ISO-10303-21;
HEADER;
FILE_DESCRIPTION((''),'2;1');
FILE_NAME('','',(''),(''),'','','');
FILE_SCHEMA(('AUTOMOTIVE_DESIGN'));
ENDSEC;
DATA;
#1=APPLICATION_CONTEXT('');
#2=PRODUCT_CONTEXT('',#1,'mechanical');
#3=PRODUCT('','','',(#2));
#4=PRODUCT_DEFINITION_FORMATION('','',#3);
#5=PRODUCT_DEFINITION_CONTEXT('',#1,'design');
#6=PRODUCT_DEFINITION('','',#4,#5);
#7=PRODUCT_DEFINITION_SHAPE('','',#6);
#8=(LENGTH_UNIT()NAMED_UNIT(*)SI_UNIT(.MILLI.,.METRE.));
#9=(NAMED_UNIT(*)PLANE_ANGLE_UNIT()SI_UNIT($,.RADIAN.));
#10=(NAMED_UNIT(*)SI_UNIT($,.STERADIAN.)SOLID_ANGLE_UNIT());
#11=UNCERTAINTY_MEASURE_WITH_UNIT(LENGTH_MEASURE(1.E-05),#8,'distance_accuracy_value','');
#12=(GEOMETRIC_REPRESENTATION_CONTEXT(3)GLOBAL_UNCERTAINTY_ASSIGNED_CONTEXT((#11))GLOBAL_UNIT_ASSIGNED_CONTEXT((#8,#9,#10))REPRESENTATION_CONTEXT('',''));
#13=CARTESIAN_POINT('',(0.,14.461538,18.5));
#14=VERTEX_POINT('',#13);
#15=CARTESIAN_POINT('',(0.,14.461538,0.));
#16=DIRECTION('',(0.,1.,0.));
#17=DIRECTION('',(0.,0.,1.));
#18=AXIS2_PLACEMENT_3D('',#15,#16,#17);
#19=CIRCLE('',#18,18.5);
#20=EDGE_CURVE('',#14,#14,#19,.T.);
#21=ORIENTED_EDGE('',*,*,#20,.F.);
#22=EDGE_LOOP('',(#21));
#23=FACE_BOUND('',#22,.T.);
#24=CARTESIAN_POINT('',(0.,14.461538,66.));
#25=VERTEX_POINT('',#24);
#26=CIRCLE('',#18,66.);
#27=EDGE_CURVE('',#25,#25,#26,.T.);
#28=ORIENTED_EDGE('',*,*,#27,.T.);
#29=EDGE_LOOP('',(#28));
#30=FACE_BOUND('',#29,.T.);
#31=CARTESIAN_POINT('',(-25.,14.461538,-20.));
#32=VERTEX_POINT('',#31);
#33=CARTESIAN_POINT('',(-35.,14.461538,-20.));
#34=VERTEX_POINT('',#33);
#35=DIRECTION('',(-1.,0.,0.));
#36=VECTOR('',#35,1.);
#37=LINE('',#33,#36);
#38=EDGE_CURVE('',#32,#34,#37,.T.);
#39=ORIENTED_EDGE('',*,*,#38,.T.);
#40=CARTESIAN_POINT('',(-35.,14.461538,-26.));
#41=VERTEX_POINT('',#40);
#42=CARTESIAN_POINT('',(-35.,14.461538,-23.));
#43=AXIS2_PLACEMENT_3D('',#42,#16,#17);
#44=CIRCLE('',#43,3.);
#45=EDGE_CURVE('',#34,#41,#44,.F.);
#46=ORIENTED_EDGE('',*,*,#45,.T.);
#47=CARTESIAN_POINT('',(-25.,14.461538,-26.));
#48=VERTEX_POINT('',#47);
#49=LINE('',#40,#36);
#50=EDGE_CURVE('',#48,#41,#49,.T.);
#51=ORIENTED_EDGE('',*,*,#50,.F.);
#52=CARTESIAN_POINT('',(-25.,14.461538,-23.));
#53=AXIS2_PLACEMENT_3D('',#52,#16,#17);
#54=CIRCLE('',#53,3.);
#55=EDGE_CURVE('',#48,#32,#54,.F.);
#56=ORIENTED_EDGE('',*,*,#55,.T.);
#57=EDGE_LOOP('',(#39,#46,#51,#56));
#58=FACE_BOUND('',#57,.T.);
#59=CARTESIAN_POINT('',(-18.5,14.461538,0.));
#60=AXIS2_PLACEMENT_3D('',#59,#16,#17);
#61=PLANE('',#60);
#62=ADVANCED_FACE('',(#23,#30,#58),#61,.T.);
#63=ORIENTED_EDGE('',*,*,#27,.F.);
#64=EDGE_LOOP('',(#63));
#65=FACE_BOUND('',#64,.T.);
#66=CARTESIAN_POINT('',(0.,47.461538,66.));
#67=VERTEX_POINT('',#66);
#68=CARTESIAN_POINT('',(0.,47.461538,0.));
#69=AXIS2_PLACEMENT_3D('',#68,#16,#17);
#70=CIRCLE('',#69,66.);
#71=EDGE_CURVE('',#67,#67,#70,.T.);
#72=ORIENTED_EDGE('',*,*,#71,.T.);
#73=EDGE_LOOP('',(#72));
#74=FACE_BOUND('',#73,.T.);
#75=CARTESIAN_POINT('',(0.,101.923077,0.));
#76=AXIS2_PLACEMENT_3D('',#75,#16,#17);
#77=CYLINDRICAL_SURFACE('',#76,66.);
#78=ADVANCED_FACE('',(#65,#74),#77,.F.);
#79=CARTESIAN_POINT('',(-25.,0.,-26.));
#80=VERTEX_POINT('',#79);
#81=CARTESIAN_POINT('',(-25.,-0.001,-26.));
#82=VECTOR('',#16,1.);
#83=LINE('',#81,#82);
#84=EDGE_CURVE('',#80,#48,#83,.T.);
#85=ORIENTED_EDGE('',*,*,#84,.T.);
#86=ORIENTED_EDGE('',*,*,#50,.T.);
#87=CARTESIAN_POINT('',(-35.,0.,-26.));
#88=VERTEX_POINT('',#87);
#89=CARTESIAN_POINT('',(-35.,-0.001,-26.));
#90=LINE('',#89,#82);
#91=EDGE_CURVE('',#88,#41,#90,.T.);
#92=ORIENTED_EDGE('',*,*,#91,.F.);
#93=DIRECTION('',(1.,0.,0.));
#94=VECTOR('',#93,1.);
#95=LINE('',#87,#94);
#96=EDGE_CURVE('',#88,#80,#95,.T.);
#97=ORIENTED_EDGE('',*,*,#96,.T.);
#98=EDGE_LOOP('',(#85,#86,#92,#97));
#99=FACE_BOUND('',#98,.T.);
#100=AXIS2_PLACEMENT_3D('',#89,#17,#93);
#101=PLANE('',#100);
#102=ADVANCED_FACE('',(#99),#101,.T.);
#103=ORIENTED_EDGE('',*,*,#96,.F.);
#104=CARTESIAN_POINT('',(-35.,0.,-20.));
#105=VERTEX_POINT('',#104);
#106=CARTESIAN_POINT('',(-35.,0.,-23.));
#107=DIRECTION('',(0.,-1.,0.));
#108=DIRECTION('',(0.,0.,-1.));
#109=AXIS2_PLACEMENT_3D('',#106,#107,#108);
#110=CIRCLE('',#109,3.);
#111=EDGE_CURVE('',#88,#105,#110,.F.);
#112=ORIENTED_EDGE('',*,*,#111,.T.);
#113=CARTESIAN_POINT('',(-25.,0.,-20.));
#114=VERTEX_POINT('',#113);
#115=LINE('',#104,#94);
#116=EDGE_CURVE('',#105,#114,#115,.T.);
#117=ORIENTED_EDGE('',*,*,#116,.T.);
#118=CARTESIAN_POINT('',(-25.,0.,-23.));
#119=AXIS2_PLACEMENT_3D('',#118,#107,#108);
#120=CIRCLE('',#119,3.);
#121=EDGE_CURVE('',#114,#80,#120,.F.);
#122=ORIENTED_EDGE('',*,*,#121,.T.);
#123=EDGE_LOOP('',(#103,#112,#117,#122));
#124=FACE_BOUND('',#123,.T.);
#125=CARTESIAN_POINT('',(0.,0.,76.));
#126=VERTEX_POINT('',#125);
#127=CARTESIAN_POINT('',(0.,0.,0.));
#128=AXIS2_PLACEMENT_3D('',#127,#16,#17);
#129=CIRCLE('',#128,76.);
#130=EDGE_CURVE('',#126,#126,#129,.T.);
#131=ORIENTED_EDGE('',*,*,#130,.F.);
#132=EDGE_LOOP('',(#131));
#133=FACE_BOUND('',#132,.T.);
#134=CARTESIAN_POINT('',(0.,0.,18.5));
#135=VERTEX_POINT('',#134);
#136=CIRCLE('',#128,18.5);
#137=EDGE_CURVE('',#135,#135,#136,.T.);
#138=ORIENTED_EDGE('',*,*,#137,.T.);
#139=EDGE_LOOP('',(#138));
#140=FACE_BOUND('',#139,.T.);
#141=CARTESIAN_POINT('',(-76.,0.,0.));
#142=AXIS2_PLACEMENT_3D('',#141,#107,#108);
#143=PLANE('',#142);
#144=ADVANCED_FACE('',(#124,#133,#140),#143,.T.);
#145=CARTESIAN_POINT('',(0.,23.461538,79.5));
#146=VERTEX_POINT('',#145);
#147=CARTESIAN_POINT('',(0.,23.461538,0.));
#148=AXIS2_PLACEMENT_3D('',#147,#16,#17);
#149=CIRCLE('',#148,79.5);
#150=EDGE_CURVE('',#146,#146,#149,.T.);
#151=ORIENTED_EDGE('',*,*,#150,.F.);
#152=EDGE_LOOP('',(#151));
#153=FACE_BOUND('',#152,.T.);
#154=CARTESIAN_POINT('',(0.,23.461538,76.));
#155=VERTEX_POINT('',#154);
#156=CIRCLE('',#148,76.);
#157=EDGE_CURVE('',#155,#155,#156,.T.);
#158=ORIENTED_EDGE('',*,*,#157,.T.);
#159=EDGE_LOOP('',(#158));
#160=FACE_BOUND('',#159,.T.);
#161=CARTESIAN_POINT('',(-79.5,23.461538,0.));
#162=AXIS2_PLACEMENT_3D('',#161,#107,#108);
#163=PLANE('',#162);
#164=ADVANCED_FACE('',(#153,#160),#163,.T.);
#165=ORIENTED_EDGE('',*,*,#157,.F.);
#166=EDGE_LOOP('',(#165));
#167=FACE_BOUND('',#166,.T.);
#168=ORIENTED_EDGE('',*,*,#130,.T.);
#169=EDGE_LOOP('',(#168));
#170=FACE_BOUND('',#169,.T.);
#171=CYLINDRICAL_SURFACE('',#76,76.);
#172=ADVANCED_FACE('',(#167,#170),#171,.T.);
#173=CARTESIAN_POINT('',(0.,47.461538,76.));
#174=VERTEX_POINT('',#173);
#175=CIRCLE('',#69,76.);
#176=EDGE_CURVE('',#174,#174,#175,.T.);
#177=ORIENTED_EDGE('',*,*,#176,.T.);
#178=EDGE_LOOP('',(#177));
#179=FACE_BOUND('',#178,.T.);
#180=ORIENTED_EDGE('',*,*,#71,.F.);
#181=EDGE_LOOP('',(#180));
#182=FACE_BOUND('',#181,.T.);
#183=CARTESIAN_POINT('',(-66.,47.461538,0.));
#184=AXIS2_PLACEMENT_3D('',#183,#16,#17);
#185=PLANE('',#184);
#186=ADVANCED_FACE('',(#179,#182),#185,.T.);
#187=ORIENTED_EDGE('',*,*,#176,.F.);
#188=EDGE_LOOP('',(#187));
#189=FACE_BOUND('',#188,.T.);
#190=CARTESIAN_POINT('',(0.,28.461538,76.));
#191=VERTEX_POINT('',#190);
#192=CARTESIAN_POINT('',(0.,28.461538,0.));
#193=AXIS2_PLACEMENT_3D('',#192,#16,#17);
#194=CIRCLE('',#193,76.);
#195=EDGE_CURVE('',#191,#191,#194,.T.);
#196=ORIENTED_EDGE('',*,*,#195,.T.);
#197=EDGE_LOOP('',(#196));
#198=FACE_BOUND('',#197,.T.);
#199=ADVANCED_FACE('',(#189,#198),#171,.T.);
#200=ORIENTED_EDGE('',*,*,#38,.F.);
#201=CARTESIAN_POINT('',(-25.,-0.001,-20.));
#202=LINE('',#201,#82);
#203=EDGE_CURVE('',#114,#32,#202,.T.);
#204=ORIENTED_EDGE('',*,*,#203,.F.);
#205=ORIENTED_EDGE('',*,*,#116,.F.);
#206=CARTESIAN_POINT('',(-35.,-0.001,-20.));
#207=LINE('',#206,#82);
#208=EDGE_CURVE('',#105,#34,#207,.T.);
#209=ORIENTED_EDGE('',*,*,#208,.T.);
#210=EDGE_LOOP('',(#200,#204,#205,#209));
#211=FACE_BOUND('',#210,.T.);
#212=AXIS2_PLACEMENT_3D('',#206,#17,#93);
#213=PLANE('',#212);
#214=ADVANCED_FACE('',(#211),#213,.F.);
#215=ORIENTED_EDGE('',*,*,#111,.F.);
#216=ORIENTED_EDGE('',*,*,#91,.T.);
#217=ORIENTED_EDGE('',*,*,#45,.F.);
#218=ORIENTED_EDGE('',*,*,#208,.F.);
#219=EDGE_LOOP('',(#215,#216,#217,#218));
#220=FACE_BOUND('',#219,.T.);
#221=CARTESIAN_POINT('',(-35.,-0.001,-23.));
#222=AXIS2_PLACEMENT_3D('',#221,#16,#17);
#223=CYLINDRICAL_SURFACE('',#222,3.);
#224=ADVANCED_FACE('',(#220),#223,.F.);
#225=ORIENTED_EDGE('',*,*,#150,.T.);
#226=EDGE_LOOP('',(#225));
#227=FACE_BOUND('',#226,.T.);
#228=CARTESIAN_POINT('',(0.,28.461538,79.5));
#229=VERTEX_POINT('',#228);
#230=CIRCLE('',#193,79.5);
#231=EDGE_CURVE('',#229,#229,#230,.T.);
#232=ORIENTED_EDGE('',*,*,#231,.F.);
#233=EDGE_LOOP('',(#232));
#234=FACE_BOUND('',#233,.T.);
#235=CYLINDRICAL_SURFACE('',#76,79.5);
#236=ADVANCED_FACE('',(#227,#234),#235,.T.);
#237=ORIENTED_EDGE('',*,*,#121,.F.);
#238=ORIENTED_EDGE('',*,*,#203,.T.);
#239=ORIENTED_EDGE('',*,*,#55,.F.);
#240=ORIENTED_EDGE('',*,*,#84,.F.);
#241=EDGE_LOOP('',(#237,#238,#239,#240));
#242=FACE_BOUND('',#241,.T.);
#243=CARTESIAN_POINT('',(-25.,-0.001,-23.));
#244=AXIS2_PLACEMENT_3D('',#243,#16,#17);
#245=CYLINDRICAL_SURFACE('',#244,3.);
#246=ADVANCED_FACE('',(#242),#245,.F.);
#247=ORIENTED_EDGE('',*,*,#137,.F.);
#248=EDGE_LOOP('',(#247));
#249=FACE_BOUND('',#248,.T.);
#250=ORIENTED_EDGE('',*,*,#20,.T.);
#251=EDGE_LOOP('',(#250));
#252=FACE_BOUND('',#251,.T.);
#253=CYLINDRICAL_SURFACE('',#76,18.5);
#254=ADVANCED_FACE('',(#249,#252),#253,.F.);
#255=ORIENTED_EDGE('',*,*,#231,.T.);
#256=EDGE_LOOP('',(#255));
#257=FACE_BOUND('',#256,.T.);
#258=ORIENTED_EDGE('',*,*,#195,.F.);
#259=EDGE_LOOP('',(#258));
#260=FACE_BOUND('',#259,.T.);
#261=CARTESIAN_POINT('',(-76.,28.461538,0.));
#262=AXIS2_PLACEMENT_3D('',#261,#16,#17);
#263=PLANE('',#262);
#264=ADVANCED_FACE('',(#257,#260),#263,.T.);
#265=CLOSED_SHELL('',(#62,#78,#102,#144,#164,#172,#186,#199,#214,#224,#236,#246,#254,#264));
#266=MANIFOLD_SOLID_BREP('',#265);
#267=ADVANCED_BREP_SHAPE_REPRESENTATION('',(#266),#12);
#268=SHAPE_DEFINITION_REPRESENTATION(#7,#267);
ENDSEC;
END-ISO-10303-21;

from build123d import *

# Parameters (mm, degrees)
ENL_V_MAT_EXTRU_2_REACH = 117.06


with BuildPart() as part:
    # Esquisse1 → Révolution1 (revolve)
    with BuildSketch(Plane.XY, mode=Mode.PRIVATE) as r_volution1_sk:
        Polygon((-76, 0), (-18.5, 0), (-18.5, 14.461538462), (-66, 14.461538462), (-66, 47.461538462), (-76, 47.461538462), (-76, 28.461538462), (-79.5, 28.461538462), (-79.5, 23.461538462), (-76, 23.461538462), align=None)
    revolve(r_volution1_sk.sketch.rotate(Axis((0, 101.923076923, 0), (0, -1, 0)), 270), axis=Axis((0, 101.923076923, 0), (0, -1, 0)))

    # Esquisse2 → Enlèv. mat.-Extru.2 (cut, up to next)
    with BuildSketch(Plane(origin=(0, 24.461538462, 0), x_dir=(1, 0, 0), z_dir=(0, 1, 0)), mode=Mode.PRIVATE) as enl_v_mat_extru_2_sk1:
        with BuildLine():
            Line((-35, 26), (-25, 26))
            ThreePointArc((-25, 26), (-22, 23), (-25, 20))
            Line((-25, 20), (-35, 20))
            ThreePointArc((-35, 20), (-38, 23), (-35, 26))
        make_face()
    enl_v_mat_extru_2_tool1 = extrude(enl_v_mat_extru_2_sk1.sketch, amount=-ENL_V_MAT_EXTRU_2_REACH, mode=Mode.PRIVATE) & part.part
    add(enl_v_mat_extru_2_tool1.solids().sort_by_distance((-30, 24.461538, -23))[0], mode=Mode.SUBTRACT)


solid = part.part
